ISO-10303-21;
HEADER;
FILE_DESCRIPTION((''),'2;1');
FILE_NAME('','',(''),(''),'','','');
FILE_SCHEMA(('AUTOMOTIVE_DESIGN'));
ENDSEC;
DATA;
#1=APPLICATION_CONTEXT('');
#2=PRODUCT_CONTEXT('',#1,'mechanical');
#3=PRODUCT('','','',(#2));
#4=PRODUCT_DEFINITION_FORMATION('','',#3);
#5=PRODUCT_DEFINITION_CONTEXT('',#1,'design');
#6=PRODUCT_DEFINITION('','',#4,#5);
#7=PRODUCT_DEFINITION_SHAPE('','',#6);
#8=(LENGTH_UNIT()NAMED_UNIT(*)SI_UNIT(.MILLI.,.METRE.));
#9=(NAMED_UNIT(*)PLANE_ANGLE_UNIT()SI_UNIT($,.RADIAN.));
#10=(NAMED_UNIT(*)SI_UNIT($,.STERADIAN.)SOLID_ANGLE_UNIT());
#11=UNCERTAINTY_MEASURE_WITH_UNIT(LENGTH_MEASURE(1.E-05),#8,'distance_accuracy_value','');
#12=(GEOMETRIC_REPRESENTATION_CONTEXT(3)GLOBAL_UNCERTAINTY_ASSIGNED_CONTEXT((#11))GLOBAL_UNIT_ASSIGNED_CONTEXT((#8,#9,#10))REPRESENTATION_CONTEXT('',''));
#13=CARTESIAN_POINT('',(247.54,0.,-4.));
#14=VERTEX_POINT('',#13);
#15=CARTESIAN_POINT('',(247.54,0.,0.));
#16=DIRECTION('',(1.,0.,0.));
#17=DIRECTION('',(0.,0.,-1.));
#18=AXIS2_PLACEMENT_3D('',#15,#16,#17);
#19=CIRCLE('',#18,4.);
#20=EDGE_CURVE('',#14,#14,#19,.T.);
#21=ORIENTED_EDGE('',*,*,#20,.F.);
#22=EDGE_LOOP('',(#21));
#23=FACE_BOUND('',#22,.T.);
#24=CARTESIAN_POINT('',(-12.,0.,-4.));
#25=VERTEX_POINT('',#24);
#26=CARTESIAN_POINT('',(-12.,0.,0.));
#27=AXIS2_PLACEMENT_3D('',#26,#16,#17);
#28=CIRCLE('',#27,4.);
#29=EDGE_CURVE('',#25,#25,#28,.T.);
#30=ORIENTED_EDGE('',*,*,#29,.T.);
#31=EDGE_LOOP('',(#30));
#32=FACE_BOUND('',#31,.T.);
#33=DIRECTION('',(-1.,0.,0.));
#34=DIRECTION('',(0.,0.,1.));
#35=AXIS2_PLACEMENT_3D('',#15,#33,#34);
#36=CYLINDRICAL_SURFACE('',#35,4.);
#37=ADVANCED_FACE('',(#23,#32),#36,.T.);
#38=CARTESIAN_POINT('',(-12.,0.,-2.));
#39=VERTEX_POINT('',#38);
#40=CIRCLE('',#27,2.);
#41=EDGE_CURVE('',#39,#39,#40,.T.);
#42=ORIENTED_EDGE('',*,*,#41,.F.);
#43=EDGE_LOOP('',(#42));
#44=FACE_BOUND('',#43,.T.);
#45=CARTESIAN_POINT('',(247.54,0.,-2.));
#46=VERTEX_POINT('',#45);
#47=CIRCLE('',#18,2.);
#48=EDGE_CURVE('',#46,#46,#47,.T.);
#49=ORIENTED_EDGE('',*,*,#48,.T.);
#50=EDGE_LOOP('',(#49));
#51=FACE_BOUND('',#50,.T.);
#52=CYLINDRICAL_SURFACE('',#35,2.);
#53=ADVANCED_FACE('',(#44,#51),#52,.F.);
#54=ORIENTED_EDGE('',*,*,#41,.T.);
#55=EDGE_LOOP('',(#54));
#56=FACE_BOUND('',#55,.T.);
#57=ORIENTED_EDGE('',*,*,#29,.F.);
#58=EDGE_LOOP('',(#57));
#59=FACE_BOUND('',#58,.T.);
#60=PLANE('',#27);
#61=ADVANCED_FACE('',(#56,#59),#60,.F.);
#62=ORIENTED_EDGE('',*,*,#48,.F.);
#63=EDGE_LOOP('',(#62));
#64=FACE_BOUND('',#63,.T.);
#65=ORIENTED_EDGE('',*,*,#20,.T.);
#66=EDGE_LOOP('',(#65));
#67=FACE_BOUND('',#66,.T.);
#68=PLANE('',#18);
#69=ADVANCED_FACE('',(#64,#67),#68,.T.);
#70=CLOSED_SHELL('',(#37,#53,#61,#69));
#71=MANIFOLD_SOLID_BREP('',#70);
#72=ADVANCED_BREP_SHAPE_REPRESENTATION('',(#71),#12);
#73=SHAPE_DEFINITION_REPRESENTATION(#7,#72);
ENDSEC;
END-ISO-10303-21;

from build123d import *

# Parameters (mm, degrees)
SKETCH_1_R           = 4
SKETCH_1_R_2         = 2
EXTRUDE_1_DEPTH      = 247.54
EXTRUDE_1_DEPTH_BACK = 12


with BuildPart() as part:
    # 草图1 → 凸台-拉伸1 (new body, two sides)
    with BuildSketch(Plane(origin=(0, 0, 0), x_dir=(0, 0, -1), z_dir=(1, 0, 0))) as extrude_1_sk:
        Circle(SKETCH_1_R)
        Circle(SKETCH_1_R_2, mode=Mode.SUBTRACT)
    extrude(amount=EXTRUDE_1_DEPTH)
    extrude(extrude_1_sk.sketch, amount=-EXTRUDE_1_DEPTH_BACK)


solid = part.part
